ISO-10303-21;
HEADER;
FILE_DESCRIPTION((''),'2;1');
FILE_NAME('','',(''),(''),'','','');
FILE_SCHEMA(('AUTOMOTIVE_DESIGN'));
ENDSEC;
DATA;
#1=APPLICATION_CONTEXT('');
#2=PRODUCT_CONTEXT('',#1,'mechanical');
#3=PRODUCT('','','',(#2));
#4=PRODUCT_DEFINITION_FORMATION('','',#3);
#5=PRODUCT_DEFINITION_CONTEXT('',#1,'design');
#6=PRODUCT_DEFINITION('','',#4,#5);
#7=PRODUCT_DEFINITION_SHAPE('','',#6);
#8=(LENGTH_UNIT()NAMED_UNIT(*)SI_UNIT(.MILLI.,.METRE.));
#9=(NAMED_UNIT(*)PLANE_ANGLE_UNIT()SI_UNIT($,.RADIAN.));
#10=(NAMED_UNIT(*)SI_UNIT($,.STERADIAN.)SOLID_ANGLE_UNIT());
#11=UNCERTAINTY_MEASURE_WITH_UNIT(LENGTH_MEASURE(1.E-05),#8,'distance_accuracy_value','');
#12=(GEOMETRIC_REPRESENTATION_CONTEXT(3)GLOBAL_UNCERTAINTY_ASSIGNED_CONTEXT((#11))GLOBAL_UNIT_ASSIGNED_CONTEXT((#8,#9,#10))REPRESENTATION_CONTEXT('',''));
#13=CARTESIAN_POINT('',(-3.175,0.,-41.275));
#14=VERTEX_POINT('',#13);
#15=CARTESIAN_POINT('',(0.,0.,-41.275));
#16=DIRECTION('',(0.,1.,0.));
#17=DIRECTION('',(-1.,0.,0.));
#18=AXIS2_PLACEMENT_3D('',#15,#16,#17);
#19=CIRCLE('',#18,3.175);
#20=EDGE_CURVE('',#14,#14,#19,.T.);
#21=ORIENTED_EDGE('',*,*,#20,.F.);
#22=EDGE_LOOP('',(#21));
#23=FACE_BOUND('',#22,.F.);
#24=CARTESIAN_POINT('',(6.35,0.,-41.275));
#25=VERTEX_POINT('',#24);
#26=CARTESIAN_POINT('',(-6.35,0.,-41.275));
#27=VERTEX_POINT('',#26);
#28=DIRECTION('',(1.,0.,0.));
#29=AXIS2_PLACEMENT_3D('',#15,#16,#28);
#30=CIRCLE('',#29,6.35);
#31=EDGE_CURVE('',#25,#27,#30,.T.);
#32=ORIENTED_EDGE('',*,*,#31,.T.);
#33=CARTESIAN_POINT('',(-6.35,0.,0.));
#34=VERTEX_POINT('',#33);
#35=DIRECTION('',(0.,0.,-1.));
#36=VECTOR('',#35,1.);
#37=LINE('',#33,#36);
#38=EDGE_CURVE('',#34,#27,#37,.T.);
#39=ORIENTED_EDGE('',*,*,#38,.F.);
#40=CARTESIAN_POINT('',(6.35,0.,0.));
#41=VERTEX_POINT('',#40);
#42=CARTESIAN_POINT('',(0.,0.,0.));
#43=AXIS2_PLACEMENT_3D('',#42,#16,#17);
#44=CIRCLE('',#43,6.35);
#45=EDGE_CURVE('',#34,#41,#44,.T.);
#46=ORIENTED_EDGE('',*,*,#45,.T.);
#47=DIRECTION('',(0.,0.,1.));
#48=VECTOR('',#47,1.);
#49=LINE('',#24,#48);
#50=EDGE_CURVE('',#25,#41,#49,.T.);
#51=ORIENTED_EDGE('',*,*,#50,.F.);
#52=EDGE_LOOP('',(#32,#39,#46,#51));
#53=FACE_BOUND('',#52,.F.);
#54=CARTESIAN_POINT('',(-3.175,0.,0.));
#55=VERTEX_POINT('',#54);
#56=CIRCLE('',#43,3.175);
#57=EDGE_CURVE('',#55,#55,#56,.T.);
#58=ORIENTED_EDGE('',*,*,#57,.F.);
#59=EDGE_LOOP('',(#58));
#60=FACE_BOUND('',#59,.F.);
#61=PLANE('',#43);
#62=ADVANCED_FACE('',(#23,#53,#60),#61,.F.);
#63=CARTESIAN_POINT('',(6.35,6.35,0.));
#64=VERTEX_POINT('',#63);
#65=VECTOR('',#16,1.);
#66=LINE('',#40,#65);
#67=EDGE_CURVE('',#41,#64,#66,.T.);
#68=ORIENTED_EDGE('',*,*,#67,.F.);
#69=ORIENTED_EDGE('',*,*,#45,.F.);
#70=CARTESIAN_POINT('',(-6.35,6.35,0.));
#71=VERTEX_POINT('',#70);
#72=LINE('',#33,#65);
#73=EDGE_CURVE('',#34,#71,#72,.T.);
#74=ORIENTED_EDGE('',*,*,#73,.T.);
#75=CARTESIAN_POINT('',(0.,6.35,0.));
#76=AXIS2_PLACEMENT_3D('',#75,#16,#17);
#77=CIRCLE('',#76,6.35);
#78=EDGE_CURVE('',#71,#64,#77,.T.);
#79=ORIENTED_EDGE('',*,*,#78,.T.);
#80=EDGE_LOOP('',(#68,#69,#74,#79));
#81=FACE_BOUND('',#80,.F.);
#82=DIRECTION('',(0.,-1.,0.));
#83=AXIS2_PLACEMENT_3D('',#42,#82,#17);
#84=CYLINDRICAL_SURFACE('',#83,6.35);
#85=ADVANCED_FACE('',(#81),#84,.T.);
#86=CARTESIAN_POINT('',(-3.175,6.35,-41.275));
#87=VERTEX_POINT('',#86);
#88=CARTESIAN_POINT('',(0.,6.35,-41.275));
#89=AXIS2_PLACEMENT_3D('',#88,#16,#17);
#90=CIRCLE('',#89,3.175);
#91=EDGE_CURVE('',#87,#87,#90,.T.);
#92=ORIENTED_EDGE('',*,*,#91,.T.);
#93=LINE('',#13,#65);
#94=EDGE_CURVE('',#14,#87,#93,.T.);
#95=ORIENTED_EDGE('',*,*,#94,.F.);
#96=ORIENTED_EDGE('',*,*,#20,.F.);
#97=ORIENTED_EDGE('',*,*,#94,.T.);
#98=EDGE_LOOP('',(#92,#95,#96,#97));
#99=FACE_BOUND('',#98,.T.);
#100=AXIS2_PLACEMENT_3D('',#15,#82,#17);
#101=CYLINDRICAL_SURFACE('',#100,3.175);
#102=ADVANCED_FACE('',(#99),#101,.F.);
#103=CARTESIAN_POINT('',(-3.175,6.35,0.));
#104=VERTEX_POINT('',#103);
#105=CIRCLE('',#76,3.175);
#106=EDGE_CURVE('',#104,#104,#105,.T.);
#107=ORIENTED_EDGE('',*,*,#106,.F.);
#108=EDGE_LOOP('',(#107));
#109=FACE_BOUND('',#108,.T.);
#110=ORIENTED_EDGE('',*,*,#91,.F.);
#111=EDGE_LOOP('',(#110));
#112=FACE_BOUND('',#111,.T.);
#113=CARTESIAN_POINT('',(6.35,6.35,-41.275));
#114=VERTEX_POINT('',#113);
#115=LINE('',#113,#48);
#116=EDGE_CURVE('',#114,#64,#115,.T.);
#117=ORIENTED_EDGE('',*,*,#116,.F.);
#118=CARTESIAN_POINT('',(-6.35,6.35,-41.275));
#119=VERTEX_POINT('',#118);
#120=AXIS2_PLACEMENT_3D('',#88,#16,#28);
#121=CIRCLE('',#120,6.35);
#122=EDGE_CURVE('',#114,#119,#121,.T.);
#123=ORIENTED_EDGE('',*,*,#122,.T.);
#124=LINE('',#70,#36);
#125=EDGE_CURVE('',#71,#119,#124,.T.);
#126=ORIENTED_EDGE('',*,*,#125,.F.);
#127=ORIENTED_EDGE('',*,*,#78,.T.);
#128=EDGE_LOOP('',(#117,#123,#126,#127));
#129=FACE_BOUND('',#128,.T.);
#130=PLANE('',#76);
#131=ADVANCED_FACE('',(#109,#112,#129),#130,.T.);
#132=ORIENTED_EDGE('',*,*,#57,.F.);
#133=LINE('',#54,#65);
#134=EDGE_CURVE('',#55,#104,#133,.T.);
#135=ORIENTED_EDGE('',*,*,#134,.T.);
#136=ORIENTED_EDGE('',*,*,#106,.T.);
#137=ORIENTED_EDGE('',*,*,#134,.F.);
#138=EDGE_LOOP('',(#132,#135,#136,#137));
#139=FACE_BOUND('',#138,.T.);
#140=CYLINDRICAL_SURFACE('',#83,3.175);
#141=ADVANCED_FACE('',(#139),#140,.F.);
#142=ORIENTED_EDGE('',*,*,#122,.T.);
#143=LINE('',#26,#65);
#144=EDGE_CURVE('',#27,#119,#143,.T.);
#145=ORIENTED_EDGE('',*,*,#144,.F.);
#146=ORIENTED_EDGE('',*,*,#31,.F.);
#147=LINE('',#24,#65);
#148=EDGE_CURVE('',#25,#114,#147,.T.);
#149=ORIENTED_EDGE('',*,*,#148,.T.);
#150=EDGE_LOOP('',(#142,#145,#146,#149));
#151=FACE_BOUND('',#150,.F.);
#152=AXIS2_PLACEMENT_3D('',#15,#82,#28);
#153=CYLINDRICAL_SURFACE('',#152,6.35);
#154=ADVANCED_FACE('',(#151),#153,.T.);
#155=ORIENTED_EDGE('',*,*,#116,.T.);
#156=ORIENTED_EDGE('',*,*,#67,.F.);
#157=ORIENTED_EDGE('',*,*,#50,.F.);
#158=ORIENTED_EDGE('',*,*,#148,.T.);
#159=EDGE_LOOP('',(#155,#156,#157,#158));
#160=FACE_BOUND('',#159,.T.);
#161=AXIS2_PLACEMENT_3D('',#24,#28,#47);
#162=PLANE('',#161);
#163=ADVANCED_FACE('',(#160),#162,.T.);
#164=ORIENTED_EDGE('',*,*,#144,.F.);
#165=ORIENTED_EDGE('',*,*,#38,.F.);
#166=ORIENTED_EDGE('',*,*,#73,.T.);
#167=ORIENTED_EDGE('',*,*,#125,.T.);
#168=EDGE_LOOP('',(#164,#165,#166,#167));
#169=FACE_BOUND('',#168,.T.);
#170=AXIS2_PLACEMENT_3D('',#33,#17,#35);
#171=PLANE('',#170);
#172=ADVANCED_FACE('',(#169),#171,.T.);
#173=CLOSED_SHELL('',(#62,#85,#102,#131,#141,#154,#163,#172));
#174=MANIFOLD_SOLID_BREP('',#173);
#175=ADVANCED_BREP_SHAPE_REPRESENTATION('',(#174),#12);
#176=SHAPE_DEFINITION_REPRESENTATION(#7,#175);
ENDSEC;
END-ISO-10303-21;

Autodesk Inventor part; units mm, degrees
ref_plane "YZ Plane" through (0, 0, 0) normal (1, 0, 0) x (0, 1, 0)
ref_plane "XZ Plane" through (0, 0, 0) normal (0, 1, 0) x (-1, 0, 0)
ref_plane "XY Plane" through (0, 0, 0) normal (0, 0, 1) x (1, 0, 0)
sketch "Sketch1" plane through (0, 0, 0) normal (0, 1, 0) x (-1, 0, 0)
  circle A0 centre (0, 0) radius 3.175
  arc A1 (6.35, 0) -> (-6.35, 0) centre (0, 0) ccw
  circle A2 centre (0, -41.275) radius 3.175
  arc A3 (-6.35, -41.275) -> (6.35, -41.275) centre (0, -41.275) ccw
  line L0 (-6.35, -41.275) -> (-6.35, 0)
  line L1 (6.35, 0) -> (6.35, -41.275)
  point P0 (0, 0)
  point P1 (6.35, 0)
  dimension "d4" = 6.35
  dimension "d7" = 12.7
  dimension "d15" = 6.35
  dimension "d16" = 41.275
  dimension "d17" = 12.7
extrude "Extrusion1" add sketch "Sketch1" along normal blind 6.35
properties part number "Base to Finger Connect"
